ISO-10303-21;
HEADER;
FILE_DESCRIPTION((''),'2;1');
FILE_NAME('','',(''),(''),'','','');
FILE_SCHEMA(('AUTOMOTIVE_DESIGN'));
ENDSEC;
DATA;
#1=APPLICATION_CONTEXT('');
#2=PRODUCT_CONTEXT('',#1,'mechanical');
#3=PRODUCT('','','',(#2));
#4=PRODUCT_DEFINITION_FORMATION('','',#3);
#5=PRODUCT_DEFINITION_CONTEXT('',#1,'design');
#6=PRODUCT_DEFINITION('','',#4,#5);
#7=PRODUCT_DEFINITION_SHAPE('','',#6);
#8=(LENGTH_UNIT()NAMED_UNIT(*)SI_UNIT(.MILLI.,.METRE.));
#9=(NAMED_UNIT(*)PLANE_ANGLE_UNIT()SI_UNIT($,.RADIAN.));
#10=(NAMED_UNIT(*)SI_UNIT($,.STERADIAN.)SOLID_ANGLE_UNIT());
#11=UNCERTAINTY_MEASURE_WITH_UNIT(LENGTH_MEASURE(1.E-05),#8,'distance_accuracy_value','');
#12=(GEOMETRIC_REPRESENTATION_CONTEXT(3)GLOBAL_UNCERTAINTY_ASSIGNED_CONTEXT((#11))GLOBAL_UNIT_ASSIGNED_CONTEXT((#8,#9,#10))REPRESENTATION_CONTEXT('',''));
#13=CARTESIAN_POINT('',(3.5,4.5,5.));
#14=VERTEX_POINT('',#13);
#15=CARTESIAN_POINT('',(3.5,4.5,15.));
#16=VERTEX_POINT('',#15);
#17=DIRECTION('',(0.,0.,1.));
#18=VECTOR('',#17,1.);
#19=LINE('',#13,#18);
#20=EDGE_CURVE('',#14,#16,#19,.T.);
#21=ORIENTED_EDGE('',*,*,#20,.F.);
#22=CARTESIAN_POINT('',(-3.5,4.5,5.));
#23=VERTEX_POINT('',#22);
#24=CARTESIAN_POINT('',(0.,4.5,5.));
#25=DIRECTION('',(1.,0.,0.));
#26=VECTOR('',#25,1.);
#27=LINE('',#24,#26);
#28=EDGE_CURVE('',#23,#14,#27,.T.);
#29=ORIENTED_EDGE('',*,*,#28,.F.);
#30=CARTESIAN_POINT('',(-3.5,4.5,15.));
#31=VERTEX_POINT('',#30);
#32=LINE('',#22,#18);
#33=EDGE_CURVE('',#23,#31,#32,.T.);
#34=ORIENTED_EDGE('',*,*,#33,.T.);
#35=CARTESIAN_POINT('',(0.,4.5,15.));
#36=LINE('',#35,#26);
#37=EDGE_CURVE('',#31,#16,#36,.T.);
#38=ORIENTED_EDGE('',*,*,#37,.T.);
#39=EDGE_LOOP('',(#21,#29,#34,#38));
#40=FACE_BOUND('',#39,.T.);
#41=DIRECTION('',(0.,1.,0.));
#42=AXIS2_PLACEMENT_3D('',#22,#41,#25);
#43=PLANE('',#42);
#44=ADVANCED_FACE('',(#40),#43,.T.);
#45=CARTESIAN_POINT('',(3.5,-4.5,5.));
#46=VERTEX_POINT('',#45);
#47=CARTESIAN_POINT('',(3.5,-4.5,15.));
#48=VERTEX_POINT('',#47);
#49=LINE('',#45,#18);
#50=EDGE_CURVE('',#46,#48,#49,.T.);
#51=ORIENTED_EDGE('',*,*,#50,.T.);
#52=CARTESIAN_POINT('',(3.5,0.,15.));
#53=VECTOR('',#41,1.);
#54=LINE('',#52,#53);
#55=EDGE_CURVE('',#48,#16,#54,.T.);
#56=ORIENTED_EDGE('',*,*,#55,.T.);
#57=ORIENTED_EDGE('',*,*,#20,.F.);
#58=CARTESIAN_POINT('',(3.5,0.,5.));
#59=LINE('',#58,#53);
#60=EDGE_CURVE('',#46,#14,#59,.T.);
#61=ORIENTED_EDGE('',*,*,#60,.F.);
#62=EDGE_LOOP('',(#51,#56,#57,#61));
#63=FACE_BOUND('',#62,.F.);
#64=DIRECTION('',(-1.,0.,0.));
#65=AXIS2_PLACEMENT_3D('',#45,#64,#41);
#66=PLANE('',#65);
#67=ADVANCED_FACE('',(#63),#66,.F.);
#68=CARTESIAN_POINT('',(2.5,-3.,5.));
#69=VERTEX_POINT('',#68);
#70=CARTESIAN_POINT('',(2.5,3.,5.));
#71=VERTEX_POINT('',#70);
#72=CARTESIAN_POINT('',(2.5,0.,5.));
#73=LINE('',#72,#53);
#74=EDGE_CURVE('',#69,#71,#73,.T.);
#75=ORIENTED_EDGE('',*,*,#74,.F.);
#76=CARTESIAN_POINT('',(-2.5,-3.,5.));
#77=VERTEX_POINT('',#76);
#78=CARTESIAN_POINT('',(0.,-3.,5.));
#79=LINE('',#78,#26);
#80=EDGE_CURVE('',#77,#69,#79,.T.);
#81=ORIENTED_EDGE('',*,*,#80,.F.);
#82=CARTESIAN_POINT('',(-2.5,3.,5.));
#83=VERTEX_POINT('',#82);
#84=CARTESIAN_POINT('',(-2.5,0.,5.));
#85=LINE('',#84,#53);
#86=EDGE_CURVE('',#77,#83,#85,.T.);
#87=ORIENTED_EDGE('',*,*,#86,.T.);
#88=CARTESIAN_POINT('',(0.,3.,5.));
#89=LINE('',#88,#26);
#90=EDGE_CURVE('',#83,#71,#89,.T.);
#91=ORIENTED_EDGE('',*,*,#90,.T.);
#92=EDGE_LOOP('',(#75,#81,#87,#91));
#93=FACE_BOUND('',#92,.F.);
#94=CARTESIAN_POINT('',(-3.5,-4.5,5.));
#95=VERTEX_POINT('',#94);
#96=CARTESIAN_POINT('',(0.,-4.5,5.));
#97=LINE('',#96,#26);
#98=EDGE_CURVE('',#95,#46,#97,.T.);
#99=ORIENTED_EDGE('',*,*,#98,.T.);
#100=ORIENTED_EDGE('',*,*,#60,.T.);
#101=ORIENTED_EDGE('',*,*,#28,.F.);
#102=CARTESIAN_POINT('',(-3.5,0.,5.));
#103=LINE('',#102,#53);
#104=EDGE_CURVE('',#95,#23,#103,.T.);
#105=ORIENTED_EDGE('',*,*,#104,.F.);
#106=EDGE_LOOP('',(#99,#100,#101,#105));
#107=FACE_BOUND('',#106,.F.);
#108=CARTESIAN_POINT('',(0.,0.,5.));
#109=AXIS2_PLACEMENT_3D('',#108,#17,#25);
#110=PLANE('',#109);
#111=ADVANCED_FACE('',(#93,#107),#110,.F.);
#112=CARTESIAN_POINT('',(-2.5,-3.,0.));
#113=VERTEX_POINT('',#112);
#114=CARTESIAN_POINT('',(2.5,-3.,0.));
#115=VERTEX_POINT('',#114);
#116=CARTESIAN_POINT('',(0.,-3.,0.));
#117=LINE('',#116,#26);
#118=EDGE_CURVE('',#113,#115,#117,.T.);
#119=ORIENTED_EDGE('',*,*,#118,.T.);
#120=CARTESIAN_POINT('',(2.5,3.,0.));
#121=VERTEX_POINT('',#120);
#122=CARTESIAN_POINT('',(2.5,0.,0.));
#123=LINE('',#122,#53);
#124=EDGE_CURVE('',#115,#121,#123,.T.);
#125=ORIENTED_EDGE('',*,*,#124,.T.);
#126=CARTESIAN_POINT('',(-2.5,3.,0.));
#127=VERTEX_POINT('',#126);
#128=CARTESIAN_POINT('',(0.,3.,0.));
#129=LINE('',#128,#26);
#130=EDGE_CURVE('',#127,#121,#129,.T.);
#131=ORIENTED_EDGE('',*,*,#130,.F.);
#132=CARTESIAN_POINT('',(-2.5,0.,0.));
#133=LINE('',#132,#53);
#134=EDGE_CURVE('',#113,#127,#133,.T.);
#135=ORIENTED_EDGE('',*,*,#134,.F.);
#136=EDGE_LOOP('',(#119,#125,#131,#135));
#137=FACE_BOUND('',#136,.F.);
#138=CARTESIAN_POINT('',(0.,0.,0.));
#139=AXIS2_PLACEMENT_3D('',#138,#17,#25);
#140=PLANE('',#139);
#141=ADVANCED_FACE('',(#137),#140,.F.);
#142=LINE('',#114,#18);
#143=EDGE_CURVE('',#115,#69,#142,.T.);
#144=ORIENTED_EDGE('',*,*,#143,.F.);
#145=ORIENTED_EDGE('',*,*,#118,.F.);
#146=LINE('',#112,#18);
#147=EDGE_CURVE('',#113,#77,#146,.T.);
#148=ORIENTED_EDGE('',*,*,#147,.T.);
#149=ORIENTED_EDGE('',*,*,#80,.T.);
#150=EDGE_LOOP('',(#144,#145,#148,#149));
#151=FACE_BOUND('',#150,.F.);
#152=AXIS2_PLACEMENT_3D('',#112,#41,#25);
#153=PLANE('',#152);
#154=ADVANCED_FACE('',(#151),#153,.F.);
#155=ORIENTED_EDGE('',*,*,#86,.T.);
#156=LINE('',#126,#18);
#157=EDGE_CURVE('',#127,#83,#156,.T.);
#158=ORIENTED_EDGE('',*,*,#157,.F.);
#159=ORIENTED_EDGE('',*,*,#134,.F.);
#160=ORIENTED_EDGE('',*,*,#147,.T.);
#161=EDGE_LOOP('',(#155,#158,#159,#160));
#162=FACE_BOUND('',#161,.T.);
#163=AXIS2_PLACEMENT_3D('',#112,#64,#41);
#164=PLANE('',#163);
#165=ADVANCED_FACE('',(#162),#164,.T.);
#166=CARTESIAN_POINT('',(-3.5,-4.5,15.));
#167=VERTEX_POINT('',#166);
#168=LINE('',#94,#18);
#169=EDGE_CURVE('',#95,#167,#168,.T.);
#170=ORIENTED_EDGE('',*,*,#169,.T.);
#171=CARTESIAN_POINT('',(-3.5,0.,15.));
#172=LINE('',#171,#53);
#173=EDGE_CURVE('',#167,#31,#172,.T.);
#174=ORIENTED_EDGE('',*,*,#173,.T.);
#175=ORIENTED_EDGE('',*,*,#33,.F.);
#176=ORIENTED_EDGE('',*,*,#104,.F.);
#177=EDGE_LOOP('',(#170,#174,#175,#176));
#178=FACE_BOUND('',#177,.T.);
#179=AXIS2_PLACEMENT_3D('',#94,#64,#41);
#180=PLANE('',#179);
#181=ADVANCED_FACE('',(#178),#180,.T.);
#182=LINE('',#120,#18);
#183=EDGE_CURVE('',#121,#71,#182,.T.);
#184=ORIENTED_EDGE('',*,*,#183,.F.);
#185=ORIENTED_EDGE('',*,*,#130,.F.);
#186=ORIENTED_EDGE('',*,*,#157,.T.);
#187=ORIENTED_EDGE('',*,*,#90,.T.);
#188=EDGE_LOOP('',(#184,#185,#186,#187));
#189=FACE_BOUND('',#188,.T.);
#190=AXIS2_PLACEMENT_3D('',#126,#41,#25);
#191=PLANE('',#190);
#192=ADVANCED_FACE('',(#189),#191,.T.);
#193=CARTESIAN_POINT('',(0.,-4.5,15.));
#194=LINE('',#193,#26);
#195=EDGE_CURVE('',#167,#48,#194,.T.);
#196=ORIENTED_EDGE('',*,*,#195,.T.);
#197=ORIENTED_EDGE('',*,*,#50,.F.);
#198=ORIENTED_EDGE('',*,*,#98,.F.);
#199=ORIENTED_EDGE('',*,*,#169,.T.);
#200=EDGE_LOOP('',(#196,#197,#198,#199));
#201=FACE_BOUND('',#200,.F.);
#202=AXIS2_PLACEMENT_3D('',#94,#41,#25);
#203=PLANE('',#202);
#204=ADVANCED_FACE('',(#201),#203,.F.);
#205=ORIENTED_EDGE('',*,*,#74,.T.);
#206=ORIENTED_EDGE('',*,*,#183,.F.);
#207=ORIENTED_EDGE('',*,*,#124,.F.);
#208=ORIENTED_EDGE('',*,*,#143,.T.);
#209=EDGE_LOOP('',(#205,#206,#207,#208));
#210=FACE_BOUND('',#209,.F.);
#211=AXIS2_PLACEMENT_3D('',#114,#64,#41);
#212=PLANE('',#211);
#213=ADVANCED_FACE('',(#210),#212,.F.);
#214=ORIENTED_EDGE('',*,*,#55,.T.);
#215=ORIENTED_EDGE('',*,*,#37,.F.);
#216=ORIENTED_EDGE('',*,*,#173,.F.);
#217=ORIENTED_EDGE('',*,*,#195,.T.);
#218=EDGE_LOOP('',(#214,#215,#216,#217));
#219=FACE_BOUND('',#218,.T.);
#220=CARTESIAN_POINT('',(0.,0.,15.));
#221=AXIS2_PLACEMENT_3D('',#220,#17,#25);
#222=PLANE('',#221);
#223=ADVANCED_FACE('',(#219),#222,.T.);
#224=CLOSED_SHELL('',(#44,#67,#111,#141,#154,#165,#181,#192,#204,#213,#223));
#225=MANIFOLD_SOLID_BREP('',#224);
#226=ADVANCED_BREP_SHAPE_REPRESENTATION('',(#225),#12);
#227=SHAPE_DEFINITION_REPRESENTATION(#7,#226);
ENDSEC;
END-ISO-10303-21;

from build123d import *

# Parameters (mm, degrees)
SKETCH_W     = 5
SKETCH_H     = 6
PAD_DEPTH    = 5
SKETCH001_W  = 7
SKETCH001_H  = 9
PAD001_DEPTH = 10


with BuildPart() as part:
    # Sketch → Pad (new body)
    with BuildSketch(Plane.XY):
        Rectangle(SKETCH_W, SKETCH_H)
    extrude(amount=PAD_DEPTH)

    # Sketch001 (on Face6 of Pad) → Pad001 (join)
    with BuildSketch(Plane.XY.offset(5)):
        Rectangle(SKETCH001_W, SKETCH001_H)
    extrude(amount=PAD001_DEPTH)


solid = part.part
